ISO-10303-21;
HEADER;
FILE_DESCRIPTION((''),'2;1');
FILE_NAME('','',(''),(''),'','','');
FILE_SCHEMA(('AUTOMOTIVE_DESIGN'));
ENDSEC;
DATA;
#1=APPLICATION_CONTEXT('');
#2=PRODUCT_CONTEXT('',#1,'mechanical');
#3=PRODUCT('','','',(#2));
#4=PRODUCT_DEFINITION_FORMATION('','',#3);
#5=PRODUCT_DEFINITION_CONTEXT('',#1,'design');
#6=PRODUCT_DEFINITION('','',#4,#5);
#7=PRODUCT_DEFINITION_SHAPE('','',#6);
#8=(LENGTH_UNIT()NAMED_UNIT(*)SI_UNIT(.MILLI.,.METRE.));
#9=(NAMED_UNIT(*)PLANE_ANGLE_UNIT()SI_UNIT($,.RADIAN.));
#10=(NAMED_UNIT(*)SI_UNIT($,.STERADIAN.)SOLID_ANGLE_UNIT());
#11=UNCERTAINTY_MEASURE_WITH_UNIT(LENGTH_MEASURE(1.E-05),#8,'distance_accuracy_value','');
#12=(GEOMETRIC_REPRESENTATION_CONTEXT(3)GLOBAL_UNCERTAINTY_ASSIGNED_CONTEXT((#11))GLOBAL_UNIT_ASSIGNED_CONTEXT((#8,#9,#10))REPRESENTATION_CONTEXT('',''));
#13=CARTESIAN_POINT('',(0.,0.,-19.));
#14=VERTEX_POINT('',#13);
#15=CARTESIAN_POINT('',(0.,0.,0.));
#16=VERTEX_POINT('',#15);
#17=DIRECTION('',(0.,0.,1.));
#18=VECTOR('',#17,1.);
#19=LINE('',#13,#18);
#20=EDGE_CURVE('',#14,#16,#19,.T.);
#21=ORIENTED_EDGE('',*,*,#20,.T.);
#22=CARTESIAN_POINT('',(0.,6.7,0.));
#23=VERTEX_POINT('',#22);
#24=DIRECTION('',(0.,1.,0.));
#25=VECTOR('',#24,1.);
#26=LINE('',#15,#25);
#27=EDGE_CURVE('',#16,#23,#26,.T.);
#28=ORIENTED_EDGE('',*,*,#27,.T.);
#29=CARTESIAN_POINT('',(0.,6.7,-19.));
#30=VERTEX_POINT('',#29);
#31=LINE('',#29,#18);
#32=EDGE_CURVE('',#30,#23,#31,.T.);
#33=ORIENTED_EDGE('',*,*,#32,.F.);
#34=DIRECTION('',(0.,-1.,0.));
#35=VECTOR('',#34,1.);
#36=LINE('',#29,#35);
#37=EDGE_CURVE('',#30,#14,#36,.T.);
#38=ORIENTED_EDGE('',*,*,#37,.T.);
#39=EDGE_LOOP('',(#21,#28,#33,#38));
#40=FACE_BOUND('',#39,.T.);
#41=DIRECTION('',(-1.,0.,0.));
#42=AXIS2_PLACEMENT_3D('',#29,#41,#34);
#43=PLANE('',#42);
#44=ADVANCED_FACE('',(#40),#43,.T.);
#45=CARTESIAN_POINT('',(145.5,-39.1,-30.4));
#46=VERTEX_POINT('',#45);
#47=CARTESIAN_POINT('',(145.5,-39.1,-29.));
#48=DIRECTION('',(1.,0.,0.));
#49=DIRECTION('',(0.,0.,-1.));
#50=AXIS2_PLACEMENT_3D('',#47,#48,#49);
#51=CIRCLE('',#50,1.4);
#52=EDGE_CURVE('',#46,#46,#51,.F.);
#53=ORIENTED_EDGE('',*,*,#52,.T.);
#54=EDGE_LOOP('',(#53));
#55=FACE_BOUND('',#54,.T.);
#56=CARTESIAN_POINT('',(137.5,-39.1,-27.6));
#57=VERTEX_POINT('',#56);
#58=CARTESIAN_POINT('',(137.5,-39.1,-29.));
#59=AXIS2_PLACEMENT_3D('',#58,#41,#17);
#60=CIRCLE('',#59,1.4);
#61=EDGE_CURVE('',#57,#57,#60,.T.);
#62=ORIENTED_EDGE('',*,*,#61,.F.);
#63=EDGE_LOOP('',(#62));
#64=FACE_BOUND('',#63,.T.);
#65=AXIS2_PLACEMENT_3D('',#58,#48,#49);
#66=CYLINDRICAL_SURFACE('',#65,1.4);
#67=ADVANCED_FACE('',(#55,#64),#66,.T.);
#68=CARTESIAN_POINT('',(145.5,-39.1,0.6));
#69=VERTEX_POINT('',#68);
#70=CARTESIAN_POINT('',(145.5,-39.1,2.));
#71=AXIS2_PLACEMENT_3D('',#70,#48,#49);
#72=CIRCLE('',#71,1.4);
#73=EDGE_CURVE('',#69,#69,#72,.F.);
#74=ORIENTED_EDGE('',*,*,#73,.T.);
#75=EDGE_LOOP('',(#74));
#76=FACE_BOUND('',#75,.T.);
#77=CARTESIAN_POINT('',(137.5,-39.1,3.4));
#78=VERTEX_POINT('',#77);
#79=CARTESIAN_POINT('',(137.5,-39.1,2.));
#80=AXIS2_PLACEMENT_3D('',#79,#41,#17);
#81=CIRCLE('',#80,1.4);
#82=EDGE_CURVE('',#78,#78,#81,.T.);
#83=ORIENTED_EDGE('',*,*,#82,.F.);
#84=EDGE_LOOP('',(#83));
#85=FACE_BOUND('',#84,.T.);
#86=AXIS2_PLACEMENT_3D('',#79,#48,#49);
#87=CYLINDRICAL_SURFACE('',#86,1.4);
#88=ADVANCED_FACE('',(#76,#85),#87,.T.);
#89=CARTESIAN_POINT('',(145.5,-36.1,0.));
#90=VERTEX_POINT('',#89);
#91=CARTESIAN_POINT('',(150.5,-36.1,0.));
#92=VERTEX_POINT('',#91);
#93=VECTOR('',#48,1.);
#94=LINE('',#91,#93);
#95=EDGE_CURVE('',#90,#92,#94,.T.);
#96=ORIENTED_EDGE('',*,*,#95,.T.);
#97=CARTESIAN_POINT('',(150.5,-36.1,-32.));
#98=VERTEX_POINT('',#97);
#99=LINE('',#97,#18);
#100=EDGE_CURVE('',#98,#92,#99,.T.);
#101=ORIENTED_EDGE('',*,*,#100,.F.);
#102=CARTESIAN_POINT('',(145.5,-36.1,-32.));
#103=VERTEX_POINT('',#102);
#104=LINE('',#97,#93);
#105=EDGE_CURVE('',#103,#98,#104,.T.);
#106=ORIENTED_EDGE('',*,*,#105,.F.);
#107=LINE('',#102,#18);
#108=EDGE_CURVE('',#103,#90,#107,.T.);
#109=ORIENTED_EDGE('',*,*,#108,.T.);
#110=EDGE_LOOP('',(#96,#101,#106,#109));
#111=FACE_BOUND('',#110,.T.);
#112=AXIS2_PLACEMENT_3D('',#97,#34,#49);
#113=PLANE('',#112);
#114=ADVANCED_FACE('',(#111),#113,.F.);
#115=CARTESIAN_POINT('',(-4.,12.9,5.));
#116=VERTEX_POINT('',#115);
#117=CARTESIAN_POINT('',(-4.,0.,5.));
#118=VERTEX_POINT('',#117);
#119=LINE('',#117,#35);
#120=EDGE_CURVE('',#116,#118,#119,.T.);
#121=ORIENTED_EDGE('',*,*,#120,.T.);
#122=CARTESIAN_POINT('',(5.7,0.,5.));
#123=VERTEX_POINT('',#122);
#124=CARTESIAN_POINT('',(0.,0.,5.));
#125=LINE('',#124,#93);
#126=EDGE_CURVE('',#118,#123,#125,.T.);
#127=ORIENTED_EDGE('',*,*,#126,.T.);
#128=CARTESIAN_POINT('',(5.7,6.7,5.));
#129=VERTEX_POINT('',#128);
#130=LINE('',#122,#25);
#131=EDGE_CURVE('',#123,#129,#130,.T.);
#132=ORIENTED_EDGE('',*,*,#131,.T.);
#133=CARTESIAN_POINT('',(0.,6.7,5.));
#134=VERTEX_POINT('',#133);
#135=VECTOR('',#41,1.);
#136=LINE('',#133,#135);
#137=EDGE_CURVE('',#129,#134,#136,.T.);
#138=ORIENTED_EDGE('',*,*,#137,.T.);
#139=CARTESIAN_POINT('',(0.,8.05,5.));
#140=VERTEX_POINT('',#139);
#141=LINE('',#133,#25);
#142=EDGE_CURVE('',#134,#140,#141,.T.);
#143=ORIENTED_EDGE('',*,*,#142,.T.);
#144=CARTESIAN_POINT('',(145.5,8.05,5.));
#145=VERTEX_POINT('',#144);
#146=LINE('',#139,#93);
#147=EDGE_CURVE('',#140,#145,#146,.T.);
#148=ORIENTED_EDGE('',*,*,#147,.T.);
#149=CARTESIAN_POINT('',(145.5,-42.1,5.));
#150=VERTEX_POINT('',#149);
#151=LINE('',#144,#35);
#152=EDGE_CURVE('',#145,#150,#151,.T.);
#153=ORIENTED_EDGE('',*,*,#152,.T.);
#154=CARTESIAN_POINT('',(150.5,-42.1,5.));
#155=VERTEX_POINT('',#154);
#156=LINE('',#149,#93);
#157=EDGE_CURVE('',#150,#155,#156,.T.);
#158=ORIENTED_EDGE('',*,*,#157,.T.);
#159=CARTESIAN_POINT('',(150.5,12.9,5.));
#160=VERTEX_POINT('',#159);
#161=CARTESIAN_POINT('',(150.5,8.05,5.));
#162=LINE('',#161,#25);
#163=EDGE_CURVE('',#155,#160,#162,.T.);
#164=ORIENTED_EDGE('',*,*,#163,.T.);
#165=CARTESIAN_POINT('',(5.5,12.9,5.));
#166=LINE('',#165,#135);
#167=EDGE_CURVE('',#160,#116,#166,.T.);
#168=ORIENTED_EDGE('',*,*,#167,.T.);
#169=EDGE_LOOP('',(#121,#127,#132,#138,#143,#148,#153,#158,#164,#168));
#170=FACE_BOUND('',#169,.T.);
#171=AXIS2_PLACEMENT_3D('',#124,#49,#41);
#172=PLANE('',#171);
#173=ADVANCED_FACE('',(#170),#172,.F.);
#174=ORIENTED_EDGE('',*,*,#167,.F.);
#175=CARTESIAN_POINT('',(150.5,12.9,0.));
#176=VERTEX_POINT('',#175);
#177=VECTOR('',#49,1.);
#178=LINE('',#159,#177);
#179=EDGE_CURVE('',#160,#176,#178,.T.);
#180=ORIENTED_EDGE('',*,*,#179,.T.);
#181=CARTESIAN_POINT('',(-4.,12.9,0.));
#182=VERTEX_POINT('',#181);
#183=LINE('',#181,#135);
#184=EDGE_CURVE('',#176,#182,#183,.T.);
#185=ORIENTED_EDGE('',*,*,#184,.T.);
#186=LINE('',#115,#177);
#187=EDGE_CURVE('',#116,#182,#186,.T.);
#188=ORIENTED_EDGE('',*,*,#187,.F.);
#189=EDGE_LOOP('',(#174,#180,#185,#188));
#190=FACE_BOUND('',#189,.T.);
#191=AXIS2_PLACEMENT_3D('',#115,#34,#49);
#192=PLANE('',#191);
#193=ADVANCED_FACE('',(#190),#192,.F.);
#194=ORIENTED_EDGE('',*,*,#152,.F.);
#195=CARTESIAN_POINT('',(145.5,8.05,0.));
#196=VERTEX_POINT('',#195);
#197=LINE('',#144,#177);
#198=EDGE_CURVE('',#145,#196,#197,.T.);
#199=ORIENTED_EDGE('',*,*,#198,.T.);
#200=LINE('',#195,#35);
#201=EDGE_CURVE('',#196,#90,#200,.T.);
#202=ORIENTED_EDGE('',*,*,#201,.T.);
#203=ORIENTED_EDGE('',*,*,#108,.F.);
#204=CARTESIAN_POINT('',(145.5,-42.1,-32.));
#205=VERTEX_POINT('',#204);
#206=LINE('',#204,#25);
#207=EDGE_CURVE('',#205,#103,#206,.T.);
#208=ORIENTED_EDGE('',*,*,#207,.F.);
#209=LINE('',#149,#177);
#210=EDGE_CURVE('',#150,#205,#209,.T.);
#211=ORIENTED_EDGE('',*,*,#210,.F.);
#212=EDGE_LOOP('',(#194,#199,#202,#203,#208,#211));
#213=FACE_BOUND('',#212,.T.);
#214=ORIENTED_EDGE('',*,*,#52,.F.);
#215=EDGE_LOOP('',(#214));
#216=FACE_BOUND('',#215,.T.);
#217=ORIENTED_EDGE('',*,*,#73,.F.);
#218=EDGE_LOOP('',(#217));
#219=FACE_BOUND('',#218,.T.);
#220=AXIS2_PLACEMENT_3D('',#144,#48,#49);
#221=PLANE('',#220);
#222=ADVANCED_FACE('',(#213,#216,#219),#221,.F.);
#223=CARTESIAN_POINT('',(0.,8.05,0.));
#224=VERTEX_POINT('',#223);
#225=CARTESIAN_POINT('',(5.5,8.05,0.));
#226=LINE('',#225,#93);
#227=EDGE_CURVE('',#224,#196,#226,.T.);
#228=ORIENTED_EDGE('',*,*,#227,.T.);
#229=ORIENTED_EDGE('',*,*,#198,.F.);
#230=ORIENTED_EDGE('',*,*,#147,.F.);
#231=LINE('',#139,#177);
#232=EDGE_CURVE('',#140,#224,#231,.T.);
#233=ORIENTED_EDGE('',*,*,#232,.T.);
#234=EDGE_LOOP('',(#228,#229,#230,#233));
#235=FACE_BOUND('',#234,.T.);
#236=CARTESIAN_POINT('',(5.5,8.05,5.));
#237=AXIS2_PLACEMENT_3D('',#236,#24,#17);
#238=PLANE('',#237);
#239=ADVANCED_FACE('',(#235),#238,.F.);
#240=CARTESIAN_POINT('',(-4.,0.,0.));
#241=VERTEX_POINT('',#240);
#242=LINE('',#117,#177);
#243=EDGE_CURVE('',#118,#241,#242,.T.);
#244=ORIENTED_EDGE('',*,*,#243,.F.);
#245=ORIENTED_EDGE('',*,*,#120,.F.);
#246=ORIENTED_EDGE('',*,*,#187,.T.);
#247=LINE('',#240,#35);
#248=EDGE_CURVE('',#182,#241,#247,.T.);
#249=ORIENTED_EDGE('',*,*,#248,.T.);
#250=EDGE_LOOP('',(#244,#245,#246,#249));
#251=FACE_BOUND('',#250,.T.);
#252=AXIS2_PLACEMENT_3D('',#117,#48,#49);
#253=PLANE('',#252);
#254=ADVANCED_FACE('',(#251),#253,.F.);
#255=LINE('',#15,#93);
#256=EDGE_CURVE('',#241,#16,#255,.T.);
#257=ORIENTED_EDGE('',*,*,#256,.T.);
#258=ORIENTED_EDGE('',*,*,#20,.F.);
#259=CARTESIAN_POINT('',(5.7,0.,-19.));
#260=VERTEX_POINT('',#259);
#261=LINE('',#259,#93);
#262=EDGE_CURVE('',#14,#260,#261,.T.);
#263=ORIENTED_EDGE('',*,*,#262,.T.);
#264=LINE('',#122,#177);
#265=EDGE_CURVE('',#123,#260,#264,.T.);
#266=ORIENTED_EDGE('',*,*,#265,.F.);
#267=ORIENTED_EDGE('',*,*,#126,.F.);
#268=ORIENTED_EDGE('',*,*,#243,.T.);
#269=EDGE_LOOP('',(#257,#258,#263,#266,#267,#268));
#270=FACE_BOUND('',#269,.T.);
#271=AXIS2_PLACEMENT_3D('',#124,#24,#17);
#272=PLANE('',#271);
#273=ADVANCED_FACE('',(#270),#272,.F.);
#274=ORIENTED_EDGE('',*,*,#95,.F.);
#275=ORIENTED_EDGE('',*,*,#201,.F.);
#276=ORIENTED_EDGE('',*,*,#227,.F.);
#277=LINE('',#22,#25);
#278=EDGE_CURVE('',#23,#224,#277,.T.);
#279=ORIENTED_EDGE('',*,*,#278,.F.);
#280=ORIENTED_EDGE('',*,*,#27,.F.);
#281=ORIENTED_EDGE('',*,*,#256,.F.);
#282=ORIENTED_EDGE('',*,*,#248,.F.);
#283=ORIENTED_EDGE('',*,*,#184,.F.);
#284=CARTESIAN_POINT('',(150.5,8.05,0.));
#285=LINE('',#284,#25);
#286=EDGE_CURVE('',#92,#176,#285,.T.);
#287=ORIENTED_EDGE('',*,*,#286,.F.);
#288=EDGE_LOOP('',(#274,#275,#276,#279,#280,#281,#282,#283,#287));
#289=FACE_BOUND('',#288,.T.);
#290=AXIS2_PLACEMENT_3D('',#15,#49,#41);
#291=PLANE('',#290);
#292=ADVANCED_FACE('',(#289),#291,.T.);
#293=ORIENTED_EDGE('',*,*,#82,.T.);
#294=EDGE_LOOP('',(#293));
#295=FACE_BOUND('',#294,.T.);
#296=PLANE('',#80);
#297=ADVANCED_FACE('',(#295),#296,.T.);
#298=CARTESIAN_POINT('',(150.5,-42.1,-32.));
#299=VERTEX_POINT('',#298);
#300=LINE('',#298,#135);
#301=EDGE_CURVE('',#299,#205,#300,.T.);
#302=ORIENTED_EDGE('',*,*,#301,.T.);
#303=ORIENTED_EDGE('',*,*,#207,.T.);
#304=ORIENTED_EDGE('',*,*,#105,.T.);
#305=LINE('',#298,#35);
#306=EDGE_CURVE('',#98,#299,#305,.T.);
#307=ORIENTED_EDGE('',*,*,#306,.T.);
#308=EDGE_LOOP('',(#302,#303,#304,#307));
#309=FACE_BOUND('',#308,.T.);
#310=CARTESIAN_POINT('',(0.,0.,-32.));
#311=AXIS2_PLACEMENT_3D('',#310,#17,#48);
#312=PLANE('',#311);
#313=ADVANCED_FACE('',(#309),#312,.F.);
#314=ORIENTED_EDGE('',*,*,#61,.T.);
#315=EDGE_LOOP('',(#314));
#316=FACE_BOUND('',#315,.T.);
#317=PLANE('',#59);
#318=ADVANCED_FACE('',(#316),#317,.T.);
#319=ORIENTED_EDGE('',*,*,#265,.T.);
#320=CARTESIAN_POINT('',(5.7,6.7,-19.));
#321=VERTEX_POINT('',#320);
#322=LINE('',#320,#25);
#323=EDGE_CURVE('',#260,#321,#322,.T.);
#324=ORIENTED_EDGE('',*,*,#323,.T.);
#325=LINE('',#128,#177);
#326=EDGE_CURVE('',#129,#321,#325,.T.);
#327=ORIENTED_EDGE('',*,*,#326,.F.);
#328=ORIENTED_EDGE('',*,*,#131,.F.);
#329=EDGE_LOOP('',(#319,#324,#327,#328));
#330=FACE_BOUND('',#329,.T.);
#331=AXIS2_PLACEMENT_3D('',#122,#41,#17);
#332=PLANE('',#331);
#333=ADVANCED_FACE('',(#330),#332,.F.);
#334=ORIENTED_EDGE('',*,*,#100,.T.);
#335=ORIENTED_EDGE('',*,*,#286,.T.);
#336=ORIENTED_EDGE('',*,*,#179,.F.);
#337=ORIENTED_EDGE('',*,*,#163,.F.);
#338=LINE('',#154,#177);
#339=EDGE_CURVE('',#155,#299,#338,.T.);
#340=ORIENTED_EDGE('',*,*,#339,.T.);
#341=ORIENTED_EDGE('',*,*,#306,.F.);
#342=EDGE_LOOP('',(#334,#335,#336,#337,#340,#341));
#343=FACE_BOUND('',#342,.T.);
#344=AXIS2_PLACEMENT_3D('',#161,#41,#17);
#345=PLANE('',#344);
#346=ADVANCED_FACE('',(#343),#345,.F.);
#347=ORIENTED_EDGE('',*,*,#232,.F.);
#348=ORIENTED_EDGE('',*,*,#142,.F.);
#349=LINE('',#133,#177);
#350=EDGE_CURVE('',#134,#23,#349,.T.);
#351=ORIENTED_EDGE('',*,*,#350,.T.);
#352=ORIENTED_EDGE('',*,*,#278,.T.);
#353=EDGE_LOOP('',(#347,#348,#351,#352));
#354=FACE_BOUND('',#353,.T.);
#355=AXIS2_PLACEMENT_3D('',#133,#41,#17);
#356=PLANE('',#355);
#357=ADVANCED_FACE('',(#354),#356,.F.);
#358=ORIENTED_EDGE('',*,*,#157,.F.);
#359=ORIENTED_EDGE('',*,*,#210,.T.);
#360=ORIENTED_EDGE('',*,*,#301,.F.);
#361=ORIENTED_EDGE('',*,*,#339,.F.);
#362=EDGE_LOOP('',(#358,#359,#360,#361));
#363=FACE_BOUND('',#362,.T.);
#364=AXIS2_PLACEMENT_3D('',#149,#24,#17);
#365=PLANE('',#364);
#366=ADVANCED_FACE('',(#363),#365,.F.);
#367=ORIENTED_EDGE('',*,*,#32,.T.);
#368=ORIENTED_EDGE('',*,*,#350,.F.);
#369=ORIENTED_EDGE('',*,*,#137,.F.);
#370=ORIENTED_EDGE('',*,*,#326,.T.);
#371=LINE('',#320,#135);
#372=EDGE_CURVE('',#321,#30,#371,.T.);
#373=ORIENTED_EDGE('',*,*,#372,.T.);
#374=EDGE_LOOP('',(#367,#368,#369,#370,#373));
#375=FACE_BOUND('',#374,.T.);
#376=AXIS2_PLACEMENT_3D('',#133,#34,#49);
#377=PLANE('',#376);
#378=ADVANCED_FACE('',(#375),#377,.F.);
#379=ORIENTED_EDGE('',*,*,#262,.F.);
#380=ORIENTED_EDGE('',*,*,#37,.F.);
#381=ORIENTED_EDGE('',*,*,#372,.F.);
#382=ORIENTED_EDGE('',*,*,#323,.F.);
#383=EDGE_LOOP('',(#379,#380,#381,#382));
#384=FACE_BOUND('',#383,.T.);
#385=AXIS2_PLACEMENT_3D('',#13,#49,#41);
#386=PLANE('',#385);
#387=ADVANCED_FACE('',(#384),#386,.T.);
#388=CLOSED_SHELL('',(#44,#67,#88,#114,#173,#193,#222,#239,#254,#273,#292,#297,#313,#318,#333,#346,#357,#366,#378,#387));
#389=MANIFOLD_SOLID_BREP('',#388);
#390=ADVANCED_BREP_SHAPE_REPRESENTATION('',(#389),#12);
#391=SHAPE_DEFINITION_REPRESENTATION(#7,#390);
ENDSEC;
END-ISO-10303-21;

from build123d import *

# Parameters (mm, degrees)
BOSS_EXTRUDE1_DEPTH = 5
SKETCH2_W           = 5.7
SKETCH2_H           = 6.7
BOSS_EXTRUDE6_DEPTH = 24
SKETCH5_W           = 5
SKETCH5_H           = 6
BOSS_EXTRUDE7_DEPTH = 32
SKETCH4_R           = 1.4
BOSS_EXTRUDE4_DEPTH = 8


with BuildPart() as part:
    # Sketch1 → Boss-Extrude1 (new body)
    with BuildSketch(Plane.XY):
        Polygon((0, 6.7), (0, 8.05), (5.5, 8.05), (145.5, 8.05), (145.5, -42.1), (150.5, -42.1), (150.5, 8.05), (150.5, 12.9), (5.5, 12.9), (-4, 12.9), (-4, 0), (0, 0), (5.7, 0), (5.7, 6.7), align=None)
    extrude(amount=BOSS_EXTRUDE1_DEPTH)

    # Sketch2 → Boss-Extrude6 (add)
    with BuildSketch(Plane.XY.offset(5)):
        with Locations((2.85, 3.35)):
            Rectangle(SKETCH2_W, SKETCH2_H)
    extrude(amount=-BOSS_EXTRUDE6_DEPTH)

    # Sketch5 → Boss-Extrude7 (add)
    with BuildSketch(Plane(origin=(0, 0, 0), x_dir=(-1, 0, 0), z_dir=(0, 0, -1))):
        with Locations((-148, -39.1)):
            Rectangle(SKETCH5_W, SKETCH5_H)
    extrude(amount=BOSS_EXTRUDE7_DEPTH)

    # Sketch4 → Boss-Extrude4 (add)
    with BuildSketch(Plane.ZY.offset(-145.5)):
        with Locations(Location((-29, -39.1, 0), (0, 0, 180))):
            Circle(SKETCH4_R)
        with Locations(Location((2, -39.1, 0), (0, 0, 180))):
            Circle(SKETCH4_R)
    extrude(amount=BOSS_EXTRUDE4_DEPTH)


solid = part.part
